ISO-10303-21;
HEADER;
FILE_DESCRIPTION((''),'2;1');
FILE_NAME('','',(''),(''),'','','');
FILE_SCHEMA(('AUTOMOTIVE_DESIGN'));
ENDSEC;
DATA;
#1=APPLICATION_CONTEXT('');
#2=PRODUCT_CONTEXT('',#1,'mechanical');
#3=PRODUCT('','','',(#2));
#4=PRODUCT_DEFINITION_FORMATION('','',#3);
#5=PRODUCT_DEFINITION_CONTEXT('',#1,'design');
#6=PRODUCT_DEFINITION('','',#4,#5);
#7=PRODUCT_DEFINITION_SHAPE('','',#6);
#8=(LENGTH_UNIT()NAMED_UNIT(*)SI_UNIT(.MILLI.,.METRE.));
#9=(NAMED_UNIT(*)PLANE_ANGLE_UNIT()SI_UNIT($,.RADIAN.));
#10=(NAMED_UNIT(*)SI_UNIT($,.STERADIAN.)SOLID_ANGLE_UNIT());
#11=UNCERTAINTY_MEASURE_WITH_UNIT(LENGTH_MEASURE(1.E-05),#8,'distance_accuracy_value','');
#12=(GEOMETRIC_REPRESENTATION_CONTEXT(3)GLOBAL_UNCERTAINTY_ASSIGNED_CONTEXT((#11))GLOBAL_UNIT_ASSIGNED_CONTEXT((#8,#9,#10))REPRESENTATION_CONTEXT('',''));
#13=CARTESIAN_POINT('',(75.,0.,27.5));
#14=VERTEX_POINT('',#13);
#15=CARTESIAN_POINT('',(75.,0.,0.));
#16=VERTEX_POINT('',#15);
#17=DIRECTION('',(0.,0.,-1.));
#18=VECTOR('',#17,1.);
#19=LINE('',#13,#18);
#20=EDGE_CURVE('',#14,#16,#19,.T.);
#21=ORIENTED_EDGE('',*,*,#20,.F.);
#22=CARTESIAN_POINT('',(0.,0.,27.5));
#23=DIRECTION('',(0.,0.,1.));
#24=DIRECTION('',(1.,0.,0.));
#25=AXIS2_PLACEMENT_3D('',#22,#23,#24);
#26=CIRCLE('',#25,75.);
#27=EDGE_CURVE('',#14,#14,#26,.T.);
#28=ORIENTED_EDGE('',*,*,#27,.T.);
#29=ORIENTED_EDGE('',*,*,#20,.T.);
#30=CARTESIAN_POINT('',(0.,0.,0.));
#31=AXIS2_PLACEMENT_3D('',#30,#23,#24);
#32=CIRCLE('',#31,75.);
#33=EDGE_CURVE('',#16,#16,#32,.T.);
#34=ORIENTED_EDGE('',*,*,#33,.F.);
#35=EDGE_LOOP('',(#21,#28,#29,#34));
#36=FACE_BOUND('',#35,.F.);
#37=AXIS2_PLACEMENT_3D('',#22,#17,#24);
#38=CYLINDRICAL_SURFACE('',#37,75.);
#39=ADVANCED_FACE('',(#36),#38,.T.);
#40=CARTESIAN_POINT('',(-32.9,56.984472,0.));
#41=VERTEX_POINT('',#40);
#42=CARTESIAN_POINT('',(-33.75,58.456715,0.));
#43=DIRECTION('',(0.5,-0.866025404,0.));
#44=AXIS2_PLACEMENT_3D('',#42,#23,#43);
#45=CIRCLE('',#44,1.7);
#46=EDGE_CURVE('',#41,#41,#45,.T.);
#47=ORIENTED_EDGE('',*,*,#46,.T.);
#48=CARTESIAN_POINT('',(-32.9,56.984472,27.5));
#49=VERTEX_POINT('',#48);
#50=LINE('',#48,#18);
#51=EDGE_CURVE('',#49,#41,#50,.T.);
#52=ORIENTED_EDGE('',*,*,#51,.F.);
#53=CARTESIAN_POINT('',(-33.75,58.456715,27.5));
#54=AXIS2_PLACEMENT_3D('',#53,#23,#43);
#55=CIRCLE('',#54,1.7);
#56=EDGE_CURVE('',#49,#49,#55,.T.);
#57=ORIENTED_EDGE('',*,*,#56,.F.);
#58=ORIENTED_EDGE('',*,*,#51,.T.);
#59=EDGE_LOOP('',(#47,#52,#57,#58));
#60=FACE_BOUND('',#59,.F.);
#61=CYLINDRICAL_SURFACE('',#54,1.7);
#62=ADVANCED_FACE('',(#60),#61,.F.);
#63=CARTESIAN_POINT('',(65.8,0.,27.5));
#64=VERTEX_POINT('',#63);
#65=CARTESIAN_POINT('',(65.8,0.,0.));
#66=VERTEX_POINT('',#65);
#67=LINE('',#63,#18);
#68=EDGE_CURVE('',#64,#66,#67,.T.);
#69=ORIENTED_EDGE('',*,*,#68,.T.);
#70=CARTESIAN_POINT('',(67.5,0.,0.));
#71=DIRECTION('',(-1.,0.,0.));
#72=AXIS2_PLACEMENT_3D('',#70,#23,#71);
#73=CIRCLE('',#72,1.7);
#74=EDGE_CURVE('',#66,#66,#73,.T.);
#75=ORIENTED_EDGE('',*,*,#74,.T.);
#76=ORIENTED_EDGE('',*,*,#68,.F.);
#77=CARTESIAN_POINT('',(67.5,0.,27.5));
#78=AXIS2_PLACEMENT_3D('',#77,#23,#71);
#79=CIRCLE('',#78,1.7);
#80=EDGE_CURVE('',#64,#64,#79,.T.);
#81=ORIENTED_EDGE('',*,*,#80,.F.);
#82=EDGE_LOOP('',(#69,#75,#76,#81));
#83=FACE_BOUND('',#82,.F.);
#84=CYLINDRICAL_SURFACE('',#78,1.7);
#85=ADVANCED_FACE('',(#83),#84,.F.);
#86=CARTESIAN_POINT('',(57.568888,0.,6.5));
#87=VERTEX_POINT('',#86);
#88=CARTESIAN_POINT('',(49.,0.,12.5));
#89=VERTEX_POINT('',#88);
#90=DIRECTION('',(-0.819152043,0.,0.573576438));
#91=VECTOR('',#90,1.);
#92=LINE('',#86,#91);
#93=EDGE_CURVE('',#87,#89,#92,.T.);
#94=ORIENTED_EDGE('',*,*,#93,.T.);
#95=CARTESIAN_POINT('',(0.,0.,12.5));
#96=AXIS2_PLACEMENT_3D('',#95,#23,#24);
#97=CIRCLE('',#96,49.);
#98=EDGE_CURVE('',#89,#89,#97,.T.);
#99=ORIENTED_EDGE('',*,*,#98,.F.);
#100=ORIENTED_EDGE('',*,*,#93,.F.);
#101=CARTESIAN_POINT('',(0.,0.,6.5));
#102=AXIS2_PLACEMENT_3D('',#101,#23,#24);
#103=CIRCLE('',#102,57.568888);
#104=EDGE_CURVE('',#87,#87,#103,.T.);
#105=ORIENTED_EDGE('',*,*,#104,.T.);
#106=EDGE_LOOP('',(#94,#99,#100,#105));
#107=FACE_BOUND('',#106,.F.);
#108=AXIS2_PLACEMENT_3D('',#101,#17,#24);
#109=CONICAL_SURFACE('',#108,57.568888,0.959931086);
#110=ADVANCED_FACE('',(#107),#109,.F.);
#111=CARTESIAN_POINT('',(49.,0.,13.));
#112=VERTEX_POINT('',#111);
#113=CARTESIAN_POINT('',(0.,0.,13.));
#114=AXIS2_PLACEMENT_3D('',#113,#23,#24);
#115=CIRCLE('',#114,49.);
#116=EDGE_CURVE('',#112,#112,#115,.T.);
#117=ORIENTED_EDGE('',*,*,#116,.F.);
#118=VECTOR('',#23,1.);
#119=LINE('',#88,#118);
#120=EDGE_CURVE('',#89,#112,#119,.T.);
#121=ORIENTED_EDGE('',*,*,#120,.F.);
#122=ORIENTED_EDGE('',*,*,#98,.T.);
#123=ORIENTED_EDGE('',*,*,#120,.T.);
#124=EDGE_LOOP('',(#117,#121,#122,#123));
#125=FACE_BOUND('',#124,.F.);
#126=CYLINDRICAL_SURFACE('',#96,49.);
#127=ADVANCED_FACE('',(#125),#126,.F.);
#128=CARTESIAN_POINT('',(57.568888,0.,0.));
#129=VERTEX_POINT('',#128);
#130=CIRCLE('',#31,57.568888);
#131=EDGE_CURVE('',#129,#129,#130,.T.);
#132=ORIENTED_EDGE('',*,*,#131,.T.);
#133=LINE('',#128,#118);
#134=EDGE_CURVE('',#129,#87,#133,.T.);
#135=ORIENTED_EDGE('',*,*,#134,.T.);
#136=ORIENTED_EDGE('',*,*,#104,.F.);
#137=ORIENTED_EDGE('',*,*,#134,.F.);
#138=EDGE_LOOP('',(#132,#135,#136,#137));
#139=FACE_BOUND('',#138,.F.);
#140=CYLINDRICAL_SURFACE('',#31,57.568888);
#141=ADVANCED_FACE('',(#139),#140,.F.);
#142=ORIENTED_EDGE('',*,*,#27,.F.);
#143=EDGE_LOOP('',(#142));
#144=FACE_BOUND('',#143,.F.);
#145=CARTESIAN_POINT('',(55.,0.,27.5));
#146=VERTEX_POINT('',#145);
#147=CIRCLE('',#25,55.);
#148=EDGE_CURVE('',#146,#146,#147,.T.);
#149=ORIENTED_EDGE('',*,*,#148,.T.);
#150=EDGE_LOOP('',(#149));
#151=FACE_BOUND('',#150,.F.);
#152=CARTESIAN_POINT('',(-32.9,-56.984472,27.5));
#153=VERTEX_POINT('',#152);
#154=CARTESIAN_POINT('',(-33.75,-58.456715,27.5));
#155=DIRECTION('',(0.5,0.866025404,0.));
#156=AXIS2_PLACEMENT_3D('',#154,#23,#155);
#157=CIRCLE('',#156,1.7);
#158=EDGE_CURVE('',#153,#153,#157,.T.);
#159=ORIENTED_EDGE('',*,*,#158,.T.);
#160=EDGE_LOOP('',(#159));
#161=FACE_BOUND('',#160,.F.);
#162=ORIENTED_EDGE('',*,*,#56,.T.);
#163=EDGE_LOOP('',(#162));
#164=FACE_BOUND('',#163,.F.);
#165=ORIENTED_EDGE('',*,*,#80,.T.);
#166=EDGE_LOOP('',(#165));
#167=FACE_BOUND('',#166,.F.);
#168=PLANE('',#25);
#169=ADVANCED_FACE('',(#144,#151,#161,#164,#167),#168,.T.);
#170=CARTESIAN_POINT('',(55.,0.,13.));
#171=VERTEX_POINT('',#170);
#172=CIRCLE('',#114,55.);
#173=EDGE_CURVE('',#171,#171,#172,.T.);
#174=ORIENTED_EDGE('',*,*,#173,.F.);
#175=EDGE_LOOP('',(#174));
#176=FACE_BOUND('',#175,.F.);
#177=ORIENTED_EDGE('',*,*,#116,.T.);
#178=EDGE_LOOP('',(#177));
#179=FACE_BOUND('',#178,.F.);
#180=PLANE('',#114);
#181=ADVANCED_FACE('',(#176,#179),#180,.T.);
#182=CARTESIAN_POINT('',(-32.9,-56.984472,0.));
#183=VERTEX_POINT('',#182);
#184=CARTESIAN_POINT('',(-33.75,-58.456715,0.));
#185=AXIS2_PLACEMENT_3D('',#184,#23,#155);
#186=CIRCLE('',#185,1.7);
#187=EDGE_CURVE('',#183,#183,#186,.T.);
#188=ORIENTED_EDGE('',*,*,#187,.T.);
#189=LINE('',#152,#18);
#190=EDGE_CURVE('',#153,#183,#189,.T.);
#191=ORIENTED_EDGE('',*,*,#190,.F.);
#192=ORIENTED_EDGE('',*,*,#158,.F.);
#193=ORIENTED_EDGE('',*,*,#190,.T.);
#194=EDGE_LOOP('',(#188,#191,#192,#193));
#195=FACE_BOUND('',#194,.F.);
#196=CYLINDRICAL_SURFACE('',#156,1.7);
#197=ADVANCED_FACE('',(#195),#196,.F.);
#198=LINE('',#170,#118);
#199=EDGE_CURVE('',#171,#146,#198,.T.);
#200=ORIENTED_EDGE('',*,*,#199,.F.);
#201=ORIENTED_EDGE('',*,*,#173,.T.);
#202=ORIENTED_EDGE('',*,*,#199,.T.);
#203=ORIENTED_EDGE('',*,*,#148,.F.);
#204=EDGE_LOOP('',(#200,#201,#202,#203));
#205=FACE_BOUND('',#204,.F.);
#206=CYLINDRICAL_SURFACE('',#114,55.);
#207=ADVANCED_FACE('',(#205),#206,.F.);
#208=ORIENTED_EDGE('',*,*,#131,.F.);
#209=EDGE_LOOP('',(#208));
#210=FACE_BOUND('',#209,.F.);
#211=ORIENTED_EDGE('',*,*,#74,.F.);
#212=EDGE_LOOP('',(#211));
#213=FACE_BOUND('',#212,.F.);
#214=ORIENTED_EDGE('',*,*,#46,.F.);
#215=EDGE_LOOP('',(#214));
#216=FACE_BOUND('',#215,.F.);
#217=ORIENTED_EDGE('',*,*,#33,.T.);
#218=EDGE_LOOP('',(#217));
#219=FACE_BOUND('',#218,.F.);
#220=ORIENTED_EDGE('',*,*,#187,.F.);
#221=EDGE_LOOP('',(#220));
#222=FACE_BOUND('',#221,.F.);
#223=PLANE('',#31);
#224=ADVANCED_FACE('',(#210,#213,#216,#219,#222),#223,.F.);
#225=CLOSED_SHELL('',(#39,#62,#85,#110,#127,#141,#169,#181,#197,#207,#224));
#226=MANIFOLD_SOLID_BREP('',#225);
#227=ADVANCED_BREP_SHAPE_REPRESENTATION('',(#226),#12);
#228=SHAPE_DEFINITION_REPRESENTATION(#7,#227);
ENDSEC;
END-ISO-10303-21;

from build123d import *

# Parameters (mm, degrees)
SKETCH001_R        = 1.7
POCKET_DEPTH       = 455.315212
POLARPATTERN_COUNT = 3


with BuildPart() as part:
    # Sketch → Revolution (revolve)
    with BuildSketch(Plane.XZ):
        Polygon((55, 13), (55, 27.5), (75, 27.5), (75, 0), (57.568888, 0), (57.568888, 6.5), (49, 12.5), (49, 13), align=None)
    revolve(axis=Axis((0, 0, 0), (0, 0, 1)))

    # Sketch001 (on Face2 of Revolution) → Pocket (cut, through all)
    with BuildSketch(Plane(origin=(0, 0, 27.5), x_dir=(-1, 0, 0), z_dir=(0, 0, 1))):
        with Locations((-67.5, 0)):
            Circle(SKETCH001_R)
    pocket = extrude(amount=-POCKET_DEPTH, mode=Mode.SUBTRACT)

    # PolarPattern: Pocket ×3 about axis
    polarpattern_axis = Axis((0, 0, 27.5), (0, 0, 1))
    for i in range(1, POLARPATTERN_COUNT):
        add(pocket.rotate(polarpattern_axis, i * 360 / POLARPATTERN_COUNT), mode=Mode.SUBTRACT)


solid = part.part
